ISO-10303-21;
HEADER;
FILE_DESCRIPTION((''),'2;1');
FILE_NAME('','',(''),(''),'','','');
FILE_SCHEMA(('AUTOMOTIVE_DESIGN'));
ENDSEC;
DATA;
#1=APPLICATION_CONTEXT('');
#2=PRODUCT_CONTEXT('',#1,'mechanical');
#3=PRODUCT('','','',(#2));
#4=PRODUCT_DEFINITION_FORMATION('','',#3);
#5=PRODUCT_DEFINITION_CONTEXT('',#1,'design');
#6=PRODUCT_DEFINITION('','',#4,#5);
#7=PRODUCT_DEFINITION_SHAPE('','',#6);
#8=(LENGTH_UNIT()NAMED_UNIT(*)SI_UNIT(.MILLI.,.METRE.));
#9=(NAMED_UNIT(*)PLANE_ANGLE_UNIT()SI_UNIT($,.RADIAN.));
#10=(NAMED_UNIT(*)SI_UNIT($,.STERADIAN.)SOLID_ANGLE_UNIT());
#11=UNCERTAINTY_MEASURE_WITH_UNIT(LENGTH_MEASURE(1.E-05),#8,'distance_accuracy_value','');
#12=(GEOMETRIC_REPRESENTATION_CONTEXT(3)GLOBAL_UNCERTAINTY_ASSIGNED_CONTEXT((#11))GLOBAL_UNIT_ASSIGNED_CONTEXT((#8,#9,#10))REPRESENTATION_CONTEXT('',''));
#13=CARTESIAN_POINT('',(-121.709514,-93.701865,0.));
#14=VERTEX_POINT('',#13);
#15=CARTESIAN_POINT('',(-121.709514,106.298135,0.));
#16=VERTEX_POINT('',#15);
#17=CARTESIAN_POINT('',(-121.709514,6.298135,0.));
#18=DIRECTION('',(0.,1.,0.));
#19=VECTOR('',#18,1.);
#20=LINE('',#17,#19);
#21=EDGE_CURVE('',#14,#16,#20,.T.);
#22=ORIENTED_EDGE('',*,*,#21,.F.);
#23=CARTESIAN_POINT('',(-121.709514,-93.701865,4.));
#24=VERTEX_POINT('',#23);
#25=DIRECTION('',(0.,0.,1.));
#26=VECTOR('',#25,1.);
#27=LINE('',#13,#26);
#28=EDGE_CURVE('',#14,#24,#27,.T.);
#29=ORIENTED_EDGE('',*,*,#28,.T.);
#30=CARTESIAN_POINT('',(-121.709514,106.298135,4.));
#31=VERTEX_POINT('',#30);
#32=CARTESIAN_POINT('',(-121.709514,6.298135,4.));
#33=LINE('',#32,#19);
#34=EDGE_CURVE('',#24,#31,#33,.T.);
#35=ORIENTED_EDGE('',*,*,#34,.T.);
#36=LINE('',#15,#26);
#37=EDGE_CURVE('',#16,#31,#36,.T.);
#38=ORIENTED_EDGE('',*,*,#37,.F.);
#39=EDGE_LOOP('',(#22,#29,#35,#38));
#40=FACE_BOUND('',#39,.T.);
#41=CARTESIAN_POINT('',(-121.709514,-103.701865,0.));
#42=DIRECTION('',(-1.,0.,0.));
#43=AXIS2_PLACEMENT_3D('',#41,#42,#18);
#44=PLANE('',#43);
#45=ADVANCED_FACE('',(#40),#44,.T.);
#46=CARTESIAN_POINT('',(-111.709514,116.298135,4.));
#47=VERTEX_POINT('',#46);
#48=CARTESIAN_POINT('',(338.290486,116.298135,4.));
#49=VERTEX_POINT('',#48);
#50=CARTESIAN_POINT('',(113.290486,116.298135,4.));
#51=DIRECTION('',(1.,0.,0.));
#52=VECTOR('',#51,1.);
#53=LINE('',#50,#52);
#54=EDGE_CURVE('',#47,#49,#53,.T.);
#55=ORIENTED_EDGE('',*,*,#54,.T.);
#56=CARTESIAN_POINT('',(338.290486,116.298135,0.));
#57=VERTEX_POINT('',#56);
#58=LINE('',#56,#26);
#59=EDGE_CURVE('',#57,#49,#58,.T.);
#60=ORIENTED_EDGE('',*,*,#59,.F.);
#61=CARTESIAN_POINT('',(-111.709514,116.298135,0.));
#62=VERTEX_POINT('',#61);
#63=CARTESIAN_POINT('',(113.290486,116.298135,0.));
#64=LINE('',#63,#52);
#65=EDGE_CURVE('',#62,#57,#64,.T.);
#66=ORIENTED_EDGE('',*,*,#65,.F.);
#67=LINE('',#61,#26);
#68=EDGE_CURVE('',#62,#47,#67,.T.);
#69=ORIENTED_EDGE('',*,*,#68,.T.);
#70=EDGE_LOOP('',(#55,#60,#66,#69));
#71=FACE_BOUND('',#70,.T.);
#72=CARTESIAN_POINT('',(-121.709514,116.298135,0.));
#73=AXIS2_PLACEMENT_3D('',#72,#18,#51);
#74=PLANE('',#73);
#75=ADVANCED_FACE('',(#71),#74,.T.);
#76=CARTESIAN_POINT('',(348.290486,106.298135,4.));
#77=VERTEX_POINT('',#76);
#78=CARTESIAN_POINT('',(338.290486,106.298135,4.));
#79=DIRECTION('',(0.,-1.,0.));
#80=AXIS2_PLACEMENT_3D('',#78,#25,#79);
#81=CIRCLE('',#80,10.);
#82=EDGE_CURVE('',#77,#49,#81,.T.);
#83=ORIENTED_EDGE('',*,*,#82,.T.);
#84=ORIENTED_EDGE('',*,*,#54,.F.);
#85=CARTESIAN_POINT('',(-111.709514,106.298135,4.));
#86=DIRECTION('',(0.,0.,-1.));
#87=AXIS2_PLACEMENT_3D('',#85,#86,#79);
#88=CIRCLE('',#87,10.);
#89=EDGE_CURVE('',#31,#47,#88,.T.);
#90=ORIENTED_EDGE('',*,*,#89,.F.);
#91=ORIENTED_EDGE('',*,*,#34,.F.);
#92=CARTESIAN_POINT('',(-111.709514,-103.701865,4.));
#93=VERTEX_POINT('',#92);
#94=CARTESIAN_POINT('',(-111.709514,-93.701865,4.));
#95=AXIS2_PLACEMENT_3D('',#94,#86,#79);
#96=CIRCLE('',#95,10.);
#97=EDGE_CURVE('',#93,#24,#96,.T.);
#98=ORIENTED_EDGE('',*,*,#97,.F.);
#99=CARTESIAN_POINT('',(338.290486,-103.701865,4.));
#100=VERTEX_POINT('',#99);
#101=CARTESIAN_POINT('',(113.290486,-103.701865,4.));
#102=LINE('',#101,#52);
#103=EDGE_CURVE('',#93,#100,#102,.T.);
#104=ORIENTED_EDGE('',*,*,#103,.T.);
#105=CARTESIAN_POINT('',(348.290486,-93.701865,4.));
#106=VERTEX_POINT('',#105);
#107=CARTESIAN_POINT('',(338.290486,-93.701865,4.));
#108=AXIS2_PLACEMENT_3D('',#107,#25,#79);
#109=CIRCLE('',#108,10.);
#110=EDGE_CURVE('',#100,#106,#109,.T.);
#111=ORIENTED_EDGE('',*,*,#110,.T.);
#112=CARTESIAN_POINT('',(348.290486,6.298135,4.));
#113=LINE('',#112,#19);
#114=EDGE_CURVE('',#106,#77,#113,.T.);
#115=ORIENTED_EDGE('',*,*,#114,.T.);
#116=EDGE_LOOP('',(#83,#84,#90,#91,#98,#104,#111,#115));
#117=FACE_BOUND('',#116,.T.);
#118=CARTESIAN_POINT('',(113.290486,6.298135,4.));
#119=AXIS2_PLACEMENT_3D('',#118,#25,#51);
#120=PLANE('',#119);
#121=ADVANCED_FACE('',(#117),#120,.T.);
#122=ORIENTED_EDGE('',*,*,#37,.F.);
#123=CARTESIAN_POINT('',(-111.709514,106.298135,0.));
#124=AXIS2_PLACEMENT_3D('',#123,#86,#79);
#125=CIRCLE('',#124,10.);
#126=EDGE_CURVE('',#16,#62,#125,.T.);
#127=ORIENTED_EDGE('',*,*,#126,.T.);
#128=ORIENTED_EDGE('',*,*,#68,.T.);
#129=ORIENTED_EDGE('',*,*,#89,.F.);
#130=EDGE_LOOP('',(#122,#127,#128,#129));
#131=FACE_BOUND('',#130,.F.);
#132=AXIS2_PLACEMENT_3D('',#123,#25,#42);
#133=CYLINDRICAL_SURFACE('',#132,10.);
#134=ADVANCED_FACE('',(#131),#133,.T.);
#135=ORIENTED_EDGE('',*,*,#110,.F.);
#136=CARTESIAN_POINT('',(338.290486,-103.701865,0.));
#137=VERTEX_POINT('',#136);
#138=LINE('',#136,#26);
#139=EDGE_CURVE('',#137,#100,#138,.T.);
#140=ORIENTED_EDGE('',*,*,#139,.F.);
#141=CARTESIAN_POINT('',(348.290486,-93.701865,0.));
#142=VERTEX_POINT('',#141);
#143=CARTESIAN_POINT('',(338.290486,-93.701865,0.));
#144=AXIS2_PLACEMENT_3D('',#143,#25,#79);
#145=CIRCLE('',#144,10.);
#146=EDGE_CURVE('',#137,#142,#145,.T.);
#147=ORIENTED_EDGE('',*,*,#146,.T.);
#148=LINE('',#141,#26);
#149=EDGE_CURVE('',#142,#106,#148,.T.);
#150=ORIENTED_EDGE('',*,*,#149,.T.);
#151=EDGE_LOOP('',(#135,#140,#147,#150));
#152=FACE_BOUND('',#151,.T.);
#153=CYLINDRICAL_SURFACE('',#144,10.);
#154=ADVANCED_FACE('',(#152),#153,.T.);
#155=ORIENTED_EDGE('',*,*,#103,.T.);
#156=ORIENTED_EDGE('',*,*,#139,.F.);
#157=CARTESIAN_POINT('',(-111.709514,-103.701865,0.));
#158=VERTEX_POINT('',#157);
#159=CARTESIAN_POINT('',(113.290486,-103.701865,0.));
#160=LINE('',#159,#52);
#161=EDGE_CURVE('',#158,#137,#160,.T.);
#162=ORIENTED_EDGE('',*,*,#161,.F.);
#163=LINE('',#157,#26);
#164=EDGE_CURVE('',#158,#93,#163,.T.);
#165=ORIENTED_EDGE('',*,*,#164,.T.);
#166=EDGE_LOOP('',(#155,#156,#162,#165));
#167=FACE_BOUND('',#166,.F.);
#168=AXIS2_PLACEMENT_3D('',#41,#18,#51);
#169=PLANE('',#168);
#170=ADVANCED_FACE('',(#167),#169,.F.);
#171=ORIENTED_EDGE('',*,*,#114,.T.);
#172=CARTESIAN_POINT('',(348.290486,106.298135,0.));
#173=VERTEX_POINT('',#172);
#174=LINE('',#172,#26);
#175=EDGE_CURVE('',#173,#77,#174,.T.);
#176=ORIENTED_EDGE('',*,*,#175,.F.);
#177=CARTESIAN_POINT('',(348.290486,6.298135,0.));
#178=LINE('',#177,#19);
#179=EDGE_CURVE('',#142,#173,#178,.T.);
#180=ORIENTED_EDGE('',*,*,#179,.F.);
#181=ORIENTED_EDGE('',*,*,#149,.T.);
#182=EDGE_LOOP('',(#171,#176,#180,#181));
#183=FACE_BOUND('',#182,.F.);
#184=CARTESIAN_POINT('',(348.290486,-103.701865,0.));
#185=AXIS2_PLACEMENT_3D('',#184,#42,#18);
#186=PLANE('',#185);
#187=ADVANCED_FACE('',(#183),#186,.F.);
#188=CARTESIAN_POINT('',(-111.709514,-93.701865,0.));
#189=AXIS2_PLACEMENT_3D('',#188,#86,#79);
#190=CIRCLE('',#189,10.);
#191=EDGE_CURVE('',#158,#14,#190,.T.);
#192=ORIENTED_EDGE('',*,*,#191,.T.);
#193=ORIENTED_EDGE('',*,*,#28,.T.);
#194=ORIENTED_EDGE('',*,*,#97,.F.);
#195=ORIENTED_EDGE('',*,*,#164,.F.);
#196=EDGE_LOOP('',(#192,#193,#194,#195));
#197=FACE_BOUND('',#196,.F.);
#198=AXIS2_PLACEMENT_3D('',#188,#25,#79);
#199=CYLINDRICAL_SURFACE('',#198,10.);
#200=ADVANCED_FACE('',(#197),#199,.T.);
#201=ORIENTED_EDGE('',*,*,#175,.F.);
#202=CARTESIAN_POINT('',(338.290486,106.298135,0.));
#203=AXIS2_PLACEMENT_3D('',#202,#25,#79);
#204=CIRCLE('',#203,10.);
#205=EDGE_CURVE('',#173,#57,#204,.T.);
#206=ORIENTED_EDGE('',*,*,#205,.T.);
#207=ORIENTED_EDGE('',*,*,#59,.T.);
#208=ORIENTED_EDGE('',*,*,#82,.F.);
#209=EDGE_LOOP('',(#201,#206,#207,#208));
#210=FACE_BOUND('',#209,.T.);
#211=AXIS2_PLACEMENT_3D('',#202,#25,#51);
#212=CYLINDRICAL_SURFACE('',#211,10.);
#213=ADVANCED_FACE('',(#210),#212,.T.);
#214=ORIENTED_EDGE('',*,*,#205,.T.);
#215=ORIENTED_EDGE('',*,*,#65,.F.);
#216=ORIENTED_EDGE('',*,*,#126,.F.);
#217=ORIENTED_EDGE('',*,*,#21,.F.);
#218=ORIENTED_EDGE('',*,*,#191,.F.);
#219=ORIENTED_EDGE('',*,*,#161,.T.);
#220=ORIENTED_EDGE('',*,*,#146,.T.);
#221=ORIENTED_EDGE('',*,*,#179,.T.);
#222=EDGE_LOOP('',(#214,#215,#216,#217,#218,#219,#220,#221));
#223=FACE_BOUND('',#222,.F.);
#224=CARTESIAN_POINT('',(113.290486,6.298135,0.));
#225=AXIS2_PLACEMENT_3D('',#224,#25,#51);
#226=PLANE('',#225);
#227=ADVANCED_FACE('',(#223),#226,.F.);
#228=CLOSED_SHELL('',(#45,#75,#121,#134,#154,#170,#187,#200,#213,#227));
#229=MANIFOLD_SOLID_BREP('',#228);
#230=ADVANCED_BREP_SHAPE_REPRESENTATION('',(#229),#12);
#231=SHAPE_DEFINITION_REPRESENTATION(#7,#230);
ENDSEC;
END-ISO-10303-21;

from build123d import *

# Parameters (mm, degrees)
SKETCH_W    = 470
SKETCH_H    = 220
PAD_DEPTH   = 4
FILLET_R    = 10
FILLET001_R = 10
FILLET002_R = 10
FILLET003_R = 10


with BuildPart() as part:
    # Sketch → Pad (new body)
    with BuildSketch(Plane.XY):
        with Locations((113.290486, 6.298135)):
            Rectangle(SKETCH_W, SKETCH_H)
    extrude(amount=PAD_DEPTH)

    # Fillet
    fillet_edges = [part.edges().sort_by_distance(p)[0] for p in [
        (348.290486, -103.701865, 2),
    ]]
    fillet(fillet_edges, radius=FILLET_R)

    # Fillet001
    fillet001_edges = [part.edges().sort_by_distance(p)[0] for p in [
        (348.290486, 116.298135, 2),
    ]]
    fillet(fillet001_edges, radius=FILLET001_R)

    # Fillet002
    fillet002_edges = [part.edges().sort_by_distance(p)[0] for p in [
        (-121.709514, -103.701865, 2),
    ]]
    fillet(fillet002_edges, radius=FILLET002_R)

    # Fillet003
    fillet003_edges = [part.edges().sort_by_distance(p)[0] for p in [
        (-121.709514, 116.298135, 2),
    ]]
    fillet(fillet003_edges, radius=FILLET003_R)


solid = part.part
